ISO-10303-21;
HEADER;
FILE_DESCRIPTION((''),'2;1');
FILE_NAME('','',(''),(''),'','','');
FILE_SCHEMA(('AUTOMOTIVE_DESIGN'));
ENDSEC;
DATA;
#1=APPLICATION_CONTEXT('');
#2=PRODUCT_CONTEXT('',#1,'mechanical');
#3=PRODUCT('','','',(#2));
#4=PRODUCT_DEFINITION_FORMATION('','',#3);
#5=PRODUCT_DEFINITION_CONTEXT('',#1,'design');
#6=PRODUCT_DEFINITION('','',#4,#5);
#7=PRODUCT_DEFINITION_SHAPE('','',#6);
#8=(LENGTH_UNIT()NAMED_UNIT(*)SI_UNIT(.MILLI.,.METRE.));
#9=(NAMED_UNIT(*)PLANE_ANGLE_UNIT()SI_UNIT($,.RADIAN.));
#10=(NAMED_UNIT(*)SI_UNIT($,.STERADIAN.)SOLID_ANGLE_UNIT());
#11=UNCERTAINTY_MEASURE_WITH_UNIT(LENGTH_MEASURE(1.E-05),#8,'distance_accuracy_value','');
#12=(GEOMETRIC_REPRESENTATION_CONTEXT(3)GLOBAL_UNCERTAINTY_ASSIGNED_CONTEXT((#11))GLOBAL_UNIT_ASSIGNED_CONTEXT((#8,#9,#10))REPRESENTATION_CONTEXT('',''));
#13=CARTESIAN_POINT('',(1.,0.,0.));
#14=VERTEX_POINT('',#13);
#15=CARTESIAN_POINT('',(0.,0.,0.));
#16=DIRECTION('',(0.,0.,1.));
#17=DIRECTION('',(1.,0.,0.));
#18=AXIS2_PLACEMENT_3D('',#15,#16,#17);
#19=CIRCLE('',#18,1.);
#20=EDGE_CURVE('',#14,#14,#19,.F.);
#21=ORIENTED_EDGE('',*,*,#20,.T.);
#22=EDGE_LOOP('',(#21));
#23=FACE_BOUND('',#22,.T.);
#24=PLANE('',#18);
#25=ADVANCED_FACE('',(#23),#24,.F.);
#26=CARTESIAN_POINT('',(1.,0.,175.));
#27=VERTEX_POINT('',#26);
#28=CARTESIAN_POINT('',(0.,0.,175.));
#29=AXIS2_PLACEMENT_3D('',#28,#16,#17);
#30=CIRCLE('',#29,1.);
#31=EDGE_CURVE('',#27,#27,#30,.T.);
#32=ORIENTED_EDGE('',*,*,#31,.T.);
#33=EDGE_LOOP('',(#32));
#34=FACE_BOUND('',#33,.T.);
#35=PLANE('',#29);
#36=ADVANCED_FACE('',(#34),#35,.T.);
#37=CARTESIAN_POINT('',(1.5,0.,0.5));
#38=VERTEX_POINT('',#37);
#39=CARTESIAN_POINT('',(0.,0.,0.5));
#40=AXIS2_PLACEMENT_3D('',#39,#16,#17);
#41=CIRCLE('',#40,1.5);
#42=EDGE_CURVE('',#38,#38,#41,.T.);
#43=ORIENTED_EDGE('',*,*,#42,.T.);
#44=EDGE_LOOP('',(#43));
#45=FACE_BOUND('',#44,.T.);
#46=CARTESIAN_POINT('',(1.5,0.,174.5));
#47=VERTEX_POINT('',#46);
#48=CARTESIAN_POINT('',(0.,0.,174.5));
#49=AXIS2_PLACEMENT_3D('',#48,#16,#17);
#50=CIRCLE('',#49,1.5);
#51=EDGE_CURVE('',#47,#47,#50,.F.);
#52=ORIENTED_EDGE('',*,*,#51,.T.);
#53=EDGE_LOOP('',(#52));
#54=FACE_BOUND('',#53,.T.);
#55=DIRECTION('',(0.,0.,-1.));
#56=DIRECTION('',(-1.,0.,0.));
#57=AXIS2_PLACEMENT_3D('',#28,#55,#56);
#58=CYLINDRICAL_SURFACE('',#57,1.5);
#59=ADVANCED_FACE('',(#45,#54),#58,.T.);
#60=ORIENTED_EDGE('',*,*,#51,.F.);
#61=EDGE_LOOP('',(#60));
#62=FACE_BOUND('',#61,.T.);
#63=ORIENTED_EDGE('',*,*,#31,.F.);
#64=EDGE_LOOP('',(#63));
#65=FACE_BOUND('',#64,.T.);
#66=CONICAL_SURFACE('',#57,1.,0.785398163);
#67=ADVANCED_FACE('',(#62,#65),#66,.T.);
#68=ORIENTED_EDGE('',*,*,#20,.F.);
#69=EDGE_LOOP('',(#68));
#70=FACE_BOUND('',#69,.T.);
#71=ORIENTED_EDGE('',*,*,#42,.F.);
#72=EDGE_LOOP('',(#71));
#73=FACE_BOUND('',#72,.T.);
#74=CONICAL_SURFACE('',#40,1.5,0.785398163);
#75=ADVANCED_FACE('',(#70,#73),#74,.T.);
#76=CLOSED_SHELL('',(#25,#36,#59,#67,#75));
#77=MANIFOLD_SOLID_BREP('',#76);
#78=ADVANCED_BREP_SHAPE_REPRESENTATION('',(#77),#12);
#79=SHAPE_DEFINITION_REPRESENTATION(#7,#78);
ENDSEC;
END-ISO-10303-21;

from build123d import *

# Parameters (mm, degrees)
SKETCH_1_R      = 1.5
EXTRUDE_1_DEPTH = 175
CHAMFER_1_SIZE  = 0.5


with BuildPart() as part:
    # Эскиз1 → Бобышка-Вытянуть1 (new body)
    with BuildSketch(Plane.XY):
        Circle(SKETCH_1_R)
    extrude(amount=EXTRUDE_1_DEPTH)

    # Фаска1
    chamfer_1_edges = [part.edges().sort_by_distance(p)[0] for p in [
        (-1.5, 0, 0),
        (-1.5, 0, 175),
    ]]
    chamfer(chamfer_1_edges, length=CHAMFER_1_SIZE)


solid = part.part
